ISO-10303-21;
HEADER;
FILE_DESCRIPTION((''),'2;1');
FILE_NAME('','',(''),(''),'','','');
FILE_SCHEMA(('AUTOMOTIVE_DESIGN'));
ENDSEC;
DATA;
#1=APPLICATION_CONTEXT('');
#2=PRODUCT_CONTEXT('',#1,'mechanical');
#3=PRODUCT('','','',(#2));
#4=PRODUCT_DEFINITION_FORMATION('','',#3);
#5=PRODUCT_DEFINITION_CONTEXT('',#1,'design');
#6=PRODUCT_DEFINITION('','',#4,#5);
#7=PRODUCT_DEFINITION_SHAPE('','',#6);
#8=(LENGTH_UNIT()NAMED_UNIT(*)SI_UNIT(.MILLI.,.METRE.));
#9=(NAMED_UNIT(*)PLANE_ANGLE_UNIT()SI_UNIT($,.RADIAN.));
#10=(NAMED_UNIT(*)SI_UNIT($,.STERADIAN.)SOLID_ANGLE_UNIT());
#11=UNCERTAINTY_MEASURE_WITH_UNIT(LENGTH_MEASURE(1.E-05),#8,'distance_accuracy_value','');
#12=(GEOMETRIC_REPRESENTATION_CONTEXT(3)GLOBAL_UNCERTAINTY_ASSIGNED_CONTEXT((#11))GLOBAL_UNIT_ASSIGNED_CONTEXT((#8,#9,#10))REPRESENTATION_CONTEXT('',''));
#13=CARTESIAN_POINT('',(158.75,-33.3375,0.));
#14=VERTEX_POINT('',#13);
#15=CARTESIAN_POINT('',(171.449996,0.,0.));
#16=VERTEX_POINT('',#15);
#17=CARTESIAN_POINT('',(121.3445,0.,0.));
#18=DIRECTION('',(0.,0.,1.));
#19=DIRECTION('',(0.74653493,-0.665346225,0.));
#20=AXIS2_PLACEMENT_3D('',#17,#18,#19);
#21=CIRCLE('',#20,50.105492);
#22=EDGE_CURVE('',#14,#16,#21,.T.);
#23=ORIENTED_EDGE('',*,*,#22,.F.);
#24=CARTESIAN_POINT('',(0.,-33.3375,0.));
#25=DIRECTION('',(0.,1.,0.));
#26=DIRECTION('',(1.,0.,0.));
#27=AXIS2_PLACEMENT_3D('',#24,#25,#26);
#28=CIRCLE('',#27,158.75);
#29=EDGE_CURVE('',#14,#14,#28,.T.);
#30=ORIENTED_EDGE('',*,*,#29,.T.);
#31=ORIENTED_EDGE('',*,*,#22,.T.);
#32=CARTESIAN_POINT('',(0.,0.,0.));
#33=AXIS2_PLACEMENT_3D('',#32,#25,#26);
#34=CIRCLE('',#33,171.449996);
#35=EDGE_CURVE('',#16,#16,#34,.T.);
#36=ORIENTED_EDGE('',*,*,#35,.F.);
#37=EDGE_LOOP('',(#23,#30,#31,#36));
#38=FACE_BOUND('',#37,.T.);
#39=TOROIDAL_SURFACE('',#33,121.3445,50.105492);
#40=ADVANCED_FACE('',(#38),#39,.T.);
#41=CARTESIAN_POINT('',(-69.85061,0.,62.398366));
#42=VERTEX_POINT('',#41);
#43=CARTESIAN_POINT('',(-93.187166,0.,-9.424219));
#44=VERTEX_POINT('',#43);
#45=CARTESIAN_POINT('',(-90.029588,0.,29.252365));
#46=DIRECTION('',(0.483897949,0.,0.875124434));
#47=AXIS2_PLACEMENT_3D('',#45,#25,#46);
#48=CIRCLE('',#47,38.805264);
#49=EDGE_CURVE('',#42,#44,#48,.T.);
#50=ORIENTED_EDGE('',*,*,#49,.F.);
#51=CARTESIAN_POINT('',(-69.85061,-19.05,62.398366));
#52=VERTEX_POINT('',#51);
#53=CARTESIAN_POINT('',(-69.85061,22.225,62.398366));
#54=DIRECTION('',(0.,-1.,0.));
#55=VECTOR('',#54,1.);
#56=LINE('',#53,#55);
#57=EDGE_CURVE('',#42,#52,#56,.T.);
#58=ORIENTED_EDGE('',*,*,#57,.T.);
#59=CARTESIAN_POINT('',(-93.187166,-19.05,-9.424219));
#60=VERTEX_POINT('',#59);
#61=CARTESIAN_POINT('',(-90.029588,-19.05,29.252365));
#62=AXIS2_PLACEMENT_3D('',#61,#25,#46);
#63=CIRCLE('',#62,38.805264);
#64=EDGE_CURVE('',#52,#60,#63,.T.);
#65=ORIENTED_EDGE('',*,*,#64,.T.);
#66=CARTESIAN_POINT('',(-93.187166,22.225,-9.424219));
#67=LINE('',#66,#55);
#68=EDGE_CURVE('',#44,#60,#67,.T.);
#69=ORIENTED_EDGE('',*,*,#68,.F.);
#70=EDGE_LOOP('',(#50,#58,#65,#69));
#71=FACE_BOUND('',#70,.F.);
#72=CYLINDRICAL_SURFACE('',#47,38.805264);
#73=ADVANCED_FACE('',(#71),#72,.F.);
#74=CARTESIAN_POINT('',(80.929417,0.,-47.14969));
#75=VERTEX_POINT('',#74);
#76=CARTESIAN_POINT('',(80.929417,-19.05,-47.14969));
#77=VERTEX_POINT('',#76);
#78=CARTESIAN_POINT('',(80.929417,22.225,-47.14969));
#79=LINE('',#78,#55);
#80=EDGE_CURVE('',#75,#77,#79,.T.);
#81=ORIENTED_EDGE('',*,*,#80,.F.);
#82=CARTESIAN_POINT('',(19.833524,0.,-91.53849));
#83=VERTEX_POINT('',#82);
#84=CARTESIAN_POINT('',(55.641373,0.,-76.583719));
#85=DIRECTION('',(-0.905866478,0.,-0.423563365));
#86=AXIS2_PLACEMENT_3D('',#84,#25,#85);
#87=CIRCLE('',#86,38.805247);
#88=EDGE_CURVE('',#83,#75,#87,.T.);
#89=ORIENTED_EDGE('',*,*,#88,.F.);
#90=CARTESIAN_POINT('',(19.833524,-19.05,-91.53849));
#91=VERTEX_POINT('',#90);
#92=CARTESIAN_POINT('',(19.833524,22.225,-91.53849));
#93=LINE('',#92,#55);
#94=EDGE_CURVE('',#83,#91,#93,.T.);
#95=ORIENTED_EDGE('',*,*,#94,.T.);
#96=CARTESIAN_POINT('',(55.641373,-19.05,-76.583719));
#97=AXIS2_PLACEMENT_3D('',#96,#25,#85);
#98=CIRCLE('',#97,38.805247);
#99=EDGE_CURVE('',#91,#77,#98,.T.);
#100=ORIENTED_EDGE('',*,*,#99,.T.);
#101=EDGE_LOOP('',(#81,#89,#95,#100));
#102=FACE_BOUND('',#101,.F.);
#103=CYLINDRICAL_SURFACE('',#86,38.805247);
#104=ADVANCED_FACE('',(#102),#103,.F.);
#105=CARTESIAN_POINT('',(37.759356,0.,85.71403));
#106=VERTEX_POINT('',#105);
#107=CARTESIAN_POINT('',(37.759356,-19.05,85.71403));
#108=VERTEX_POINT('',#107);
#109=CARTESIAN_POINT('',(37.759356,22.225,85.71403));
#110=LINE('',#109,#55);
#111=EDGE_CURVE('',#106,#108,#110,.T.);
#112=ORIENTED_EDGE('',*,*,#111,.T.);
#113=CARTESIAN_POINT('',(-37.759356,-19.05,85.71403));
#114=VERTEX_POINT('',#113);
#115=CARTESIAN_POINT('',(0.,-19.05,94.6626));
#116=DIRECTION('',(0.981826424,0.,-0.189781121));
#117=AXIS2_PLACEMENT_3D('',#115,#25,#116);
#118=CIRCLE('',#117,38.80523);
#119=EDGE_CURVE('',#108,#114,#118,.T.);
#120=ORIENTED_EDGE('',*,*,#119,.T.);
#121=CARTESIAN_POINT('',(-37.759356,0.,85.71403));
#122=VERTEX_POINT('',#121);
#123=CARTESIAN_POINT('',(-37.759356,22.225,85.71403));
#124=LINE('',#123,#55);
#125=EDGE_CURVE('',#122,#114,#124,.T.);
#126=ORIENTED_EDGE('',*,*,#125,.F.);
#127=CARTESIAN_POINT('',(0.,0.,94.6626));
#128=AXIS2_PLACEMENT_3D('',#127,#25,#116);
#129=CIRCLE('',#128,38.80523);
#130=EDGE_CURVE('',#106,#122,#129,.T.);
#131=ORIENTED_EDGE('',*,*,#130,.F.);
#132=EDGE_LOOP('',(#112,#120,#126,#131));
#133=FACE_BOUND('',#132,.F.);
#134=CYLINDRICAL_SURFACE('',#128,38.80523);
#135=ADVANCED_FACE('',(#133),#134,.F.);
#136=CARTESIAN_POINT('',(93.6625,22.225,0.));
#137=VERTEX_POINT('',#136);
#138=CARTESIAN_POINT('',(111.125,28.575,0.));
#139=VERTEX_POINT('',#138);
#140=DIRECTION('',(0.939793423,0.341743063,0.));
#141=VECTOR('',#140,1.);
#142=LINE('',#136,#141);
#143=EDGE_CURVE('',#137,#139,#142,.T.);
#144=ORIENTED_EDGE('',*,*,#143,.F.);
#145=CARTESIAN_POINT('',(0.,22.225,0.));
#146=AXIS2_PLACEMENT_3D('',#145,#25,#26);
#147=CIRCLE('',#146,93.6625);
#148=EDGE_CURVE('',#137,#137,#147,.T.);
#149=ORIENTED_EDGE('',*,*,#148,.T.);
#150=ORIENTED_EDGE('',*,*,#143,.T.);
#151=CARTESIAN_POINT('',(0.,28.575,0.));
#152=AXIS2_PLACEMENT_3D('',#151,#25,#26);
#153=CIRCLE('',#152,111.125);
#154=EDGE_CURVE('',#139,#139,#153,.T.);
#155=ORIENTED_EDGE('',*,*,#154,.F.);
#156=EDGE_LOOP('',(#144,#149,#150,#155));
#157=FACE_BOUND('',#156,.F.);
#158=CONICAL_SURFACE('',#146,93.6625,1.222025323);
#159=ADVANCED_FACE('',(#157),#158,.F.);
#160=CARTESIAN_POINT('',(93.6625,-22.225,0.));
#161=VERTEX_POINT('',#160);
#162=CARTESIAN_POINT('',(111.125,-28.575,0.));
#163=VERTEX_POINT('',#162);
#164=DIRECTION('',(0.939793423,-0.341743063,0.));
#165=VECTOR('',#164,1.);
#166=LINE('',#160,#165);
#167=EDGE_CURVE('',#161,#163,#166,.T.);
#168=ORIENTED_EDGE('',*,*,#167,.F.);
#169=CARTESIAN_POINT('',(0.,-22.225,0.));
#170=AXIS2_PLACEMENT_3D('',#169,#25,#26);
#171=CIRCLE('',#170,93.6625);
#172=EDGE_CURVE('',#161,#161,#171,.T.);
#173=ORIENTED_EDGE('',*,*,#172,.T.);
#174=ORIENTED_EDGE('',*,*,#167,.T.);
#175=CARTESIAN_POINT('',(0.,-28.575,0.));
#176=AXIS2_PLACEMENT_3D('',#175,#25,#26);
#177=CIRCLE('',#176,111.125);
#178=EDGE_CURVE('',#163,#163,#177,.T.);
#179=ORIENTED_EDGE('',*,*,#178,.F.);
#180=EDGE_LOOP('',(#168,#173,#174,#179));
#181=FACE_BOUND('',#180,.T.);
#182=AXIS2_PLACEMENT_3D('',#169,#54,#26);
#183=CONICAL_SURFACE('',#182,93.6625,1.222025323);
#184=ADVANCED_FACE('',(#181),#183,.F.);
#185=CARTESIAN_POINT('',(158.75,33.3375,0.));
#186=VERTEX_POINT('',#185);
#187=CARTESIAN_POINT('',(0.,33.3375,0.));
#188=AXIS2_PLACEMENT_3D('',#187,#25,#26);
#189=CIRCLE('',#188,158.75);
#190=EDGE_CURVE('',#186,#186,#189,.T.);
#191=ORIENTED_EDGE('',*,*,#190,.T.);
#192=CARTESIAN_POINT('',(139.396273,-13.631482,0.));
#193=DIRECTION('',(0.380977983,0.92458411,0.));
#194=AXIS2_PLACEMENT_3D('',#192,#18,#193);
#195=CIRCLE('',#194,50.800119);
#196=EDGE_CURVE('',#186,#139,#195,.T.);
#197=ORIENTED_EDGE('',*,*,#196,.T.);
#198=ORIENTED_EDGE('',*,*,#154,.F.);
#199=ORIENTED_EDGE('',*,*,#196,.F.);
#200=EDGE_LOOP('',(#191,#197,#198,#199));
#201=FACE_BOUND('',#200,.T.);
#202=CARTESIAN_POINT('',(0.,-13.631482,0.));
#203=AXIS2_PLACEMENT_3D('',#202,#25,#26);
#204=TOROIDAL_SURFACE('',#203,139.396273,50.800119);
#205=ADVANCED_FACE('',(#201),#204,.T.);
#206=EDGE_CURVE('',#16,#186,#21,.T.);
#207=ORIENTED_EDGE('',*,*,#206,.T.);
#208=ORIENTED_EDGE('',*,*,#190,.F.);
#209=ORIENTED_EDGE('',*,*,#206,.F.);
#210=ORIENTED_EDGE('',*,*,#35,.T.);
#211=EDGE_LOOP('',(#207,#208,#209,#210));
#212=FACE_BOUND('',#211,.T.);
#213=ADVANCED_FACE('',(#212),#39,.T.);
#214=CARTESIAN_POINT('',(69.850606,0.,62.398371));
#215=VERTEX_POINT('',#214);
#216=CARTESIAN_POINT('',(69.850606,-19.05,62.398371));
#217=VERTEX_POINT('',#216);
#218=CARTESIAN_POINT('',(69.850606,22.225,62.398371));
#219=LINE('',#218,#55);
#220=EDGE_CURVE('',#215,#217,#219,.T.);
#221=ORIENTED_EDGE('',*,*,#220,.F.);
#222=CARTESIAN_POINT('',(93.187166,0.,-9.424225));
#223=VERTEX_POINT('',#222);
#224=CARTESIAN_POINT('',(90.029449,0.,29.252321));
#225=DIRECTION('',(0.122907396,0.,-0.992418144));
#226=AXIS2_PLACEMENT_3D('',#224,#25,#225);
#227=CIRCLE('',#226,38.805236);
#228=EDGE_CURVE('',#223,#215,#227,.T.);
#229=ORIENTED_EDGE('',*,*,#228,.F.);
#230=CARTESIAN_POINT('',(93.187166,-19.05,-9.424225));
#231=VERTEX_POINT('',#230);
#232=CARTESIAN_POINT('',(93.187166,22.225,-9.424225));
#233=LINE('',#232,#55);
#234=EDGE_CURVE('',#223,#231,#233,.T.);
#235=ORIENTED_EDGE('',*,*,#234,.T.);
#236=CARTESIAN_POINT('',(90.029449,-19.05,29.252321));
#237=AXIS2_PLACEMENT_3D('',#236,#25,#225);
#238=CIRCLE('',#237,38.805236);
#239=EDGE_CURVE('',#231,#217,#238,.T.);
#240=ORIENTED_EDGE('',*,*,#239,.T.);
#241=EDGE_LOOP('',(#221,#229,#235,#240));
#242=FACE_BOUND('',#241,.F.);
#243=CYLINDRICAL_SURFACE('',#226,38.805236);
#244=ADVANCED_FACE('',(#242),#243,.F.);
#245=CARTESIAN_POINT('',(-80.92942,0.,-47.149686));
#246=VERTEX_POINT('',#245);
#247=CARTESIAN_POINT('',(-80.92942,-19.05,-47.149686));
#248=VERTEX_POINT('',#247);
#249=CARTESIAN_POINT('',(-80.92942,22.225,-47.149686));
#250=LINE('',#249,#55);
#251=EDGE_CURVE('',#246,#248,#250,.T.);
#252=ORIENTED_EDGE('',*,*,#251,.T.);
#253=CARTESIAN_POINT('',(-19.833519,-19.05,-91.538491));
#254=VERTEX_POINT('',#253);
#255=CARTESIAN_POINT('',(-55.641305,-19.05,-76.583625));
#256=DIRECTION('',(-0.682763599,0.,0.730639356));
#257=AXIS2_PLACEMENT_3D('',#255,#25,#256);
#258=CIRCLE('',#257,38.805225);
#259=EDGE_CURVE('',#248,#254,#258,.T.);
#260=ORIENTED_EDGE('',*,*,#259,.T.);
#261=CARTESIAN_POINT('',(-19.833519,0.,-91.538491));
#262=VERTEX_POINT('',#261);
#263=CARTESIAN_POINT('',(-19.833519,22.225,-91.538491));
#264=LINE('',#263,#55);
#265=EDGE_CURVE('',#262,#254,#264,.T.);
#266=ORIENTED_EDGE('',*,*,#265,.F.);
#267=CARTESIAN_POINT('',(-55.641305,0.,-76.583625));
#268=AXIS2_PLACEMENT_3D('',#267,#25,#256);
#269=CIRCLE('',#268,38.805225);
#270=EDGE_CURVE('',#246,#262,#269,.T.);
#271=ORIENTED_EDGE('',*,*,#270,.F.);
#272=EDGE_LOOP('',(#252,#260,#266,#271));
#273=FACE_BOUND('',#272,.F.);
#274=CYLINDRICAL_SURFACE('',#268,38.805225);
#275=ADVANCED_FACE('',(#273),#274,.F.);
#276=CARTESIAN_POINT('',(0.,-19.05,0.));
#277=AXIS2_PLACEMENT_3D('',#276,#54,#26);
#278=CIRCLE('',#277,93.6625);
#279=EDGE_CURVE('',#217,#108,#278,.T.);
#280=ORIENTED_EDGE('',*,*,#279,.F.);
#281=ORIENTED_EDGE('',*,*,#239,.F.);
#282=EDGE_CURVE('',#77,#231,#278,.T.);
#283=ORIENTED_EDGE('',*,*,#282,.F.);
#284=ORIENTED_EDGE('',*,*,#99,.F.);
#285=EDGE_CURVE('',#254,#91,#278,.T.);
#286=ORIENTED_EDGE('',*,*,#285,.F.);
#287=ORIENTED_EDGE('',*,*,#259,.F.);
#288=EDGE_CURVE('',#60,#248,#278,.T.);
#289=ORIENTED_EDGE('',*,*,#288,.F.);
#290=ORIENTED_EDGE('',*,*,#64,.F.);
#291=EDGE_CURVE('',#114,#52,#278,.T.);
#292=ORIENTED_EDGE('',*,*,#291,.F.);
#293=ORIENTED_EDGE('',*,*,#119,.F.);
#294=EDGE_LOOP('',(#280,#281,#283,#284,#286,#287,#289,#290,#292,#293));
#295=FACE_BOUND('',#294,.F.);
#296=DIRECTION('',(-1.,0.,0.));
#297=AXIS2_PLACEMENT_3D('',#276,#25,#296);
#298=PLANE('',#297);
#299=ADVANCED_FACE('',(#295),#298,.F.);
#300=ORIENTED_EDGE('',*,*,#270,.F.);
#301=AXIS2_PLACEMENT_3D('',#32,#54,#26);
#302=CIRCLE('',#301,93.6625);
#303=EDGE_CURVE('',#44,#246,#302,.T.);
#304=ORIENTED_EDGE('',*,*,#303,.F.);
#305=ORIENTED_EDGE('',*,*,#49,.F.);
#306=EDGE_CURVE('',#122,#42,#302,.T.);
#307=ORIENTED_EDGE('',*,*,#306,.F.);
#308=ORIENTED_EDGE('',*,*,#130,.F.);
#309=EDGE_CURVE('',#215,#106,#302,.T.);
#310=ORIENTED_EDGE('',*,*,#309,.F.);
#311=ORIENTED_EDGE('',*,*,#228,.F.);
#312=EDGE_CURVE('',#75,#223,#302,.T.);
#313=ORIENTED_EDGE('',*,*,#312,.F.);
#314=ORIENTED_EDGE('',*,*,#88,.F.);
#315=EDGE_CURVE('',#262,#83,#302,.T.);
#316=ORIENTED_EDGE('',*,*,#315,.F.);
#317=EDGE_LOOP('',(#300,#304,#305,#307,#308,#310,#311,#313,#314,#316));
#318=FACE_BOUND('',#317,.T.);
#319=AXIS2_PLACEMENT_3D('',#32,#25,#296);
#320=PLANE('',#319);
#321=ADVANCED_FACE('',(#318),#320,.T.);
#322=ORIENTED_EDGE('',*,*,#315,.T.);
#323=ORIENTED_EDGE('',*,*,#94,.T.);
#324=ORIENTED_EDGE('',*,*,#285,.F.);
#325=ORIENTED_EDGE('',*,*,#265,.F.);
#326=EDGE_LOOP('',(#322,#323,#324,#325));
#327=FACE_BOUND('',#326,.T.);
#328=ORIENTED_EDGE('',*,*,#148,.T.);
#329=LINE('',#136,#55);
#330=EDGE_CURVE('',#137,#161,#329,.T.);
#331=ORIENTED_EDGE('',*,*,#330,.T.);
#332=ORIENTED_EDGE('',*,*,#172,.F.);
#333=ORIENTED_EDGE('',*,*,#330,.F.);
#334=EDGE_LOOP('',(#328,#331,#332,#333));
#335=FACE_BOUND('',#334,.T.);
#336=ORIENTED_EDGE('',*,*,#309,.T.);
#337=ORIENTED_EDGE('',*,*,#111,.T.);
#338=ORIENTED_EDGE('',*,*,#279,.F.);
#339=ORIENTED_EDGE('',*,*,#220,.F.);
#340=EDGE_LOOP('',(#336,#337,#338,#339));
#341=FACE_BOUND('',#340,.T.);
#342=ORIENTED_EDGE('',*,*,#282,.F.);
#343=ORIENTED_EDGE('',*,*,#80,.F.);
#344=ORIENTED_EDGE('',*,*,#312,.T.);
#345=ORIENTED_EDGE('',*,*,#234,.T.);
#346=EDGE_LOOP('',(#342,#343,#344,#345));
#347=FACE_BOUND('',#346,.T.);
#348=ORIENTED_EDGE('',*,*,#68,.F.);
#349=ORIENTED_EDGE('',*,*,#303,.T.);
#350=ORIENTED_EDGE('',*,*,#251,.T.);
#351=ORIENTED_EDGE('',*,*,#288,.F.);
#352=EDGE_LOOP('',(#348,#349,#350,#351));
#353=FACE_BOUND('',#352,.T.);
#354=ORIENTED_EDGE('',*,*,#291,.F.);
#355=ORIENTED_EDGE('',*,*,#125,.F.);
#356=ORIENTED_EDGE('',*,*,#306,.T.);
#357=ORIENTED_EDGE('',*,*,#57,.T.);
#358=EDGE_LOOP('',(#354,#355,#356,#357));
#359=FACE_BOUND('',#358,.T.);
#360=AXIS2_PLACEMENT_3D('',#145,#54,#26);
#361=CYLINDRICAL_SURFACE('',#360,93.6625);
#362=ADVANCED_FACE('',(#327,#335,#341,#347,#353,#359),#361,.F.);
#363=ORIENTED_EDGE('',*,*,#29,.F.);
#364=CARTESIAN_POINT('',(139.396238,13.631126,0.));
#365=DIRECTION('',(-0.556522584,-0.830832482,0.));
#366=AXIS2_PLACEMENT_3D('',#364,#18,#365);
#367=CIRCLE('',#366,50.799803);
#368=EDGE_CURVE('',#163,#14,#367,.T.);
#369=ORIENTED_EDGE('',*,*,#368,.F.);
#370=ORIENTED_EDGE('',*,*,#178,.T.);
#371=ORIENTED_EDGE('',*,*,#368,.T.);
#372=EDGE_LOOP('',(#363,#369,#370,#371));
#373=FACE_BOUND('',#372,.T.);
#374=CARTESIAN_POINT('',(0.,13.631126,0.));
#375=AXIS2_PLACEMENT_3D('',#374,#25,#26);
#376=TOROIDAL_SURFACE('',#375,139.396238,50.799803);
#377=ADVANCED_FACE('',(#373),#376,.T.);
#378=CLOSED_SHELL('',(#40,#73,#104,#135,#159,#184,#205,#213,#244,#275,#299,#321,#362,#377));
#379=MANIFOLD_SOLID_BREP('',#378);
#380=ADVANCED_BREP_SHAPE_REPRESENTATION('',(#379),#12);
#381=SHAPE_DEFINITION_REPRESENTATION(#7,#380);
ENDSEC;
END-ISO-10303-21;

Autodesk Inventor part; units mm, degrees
ref_plane "YZ Plane" through (0, 0, 0) normal (1, 0, 0) x (0, 1, 0)
ref_plane "XZ Plane" through (0, 0, 0) normal (0, 1, 0) x (-1, 0, 0)
ref_plane "XY Plane" through (0, 0, 0) normal (0, 0, 1) x (1, 0, 0)
sketch "Sketch1" plane through (0, 0, 0) normal (0, 0, 1) x (1, 0, 0)
  line L0 (0, 0) -> (0, 24.1958)
  arc A0 (158.75, -33.3375) -> (158.75, 33.3375) centre (121.3445, 0) ccw
  line L1 (171.45, -6.5142) -> (171.45, 28.0751)
  line L2 (93.6625, 22.225) -> (93.6625, -22.225)
  line L3 (93.6625, -22.225) -> (111.125, -28.575)
  line L4 (93.6625, 22.225) -> (111.125, 28.575)
  arc A1 (158.75, 33.3375) -> (111.125, 28.575) centre (139.3963, -13.6313) ccw
  arc A2 (111.125, -28.575) -> (158.75, -33.3375) centre (139.3963, 13.6313) ccw
  point P0 (93.6625, 0)
  dimension "d0" = 171.45
  dimension "d1" = 66.675
  dimension "d2" = 12.7
  dimension "d3" = 93.6625
  dimension "d4" = 111.125
  dimension "d5" = 44.45
  dimension "d6" = 57.15
  dimension "d7" = 50.8
revolve "Revolution1" add sketch "Sketch1" angle 360 about axis through (0, 0, 0) along (0, 1, 0)
sketch "Sketch2" plane through (0, 0, 0) normal (0, 1, 0) x (-1, 0, 0)
  arc A0 (-38.1, 87.2981) -> (38.1, 87.2981) centre (0, 94.6626) ccw
  arc A1 (-94.7989, -9.2587) -> (-71.2518, 63.2118) centre (-90.0295, 29.2524) ccw
  arc A2 (-20.489, -93.0202) -> (-82.1361, -48.231) centre (-55.6413, -76.5837) ccw
  arc A3 (82.1361, -48.231) -> (20.489, -93.0202) centre (55.6413, -76.5837) ccw
  arc A4 (71.2518, 63.2118) -> (94.7989, -9.2587) centre (90.0295, 29.2524) ccw
  arc A5 (82.1361, -48.231) -> (94.7989, -9.2587) centre (0, 0) ccw
  arc A6 (-20.489, -93.0202) -> (20.489, -93.0202) centre (0, 0) ccw
  arc A7 (71.2518, 63.2118) -> (-71.2518, 63.2118) centre (0, 0) ccw
  arc A8 (-94.7989, -9.2587) -> (-82.1361, -48.231) centre (0, 0) ccw
  dimension "d10" = 76.2
  dimension "d13" = 360
extrude "Extrusion1" add sketch "Sketch2" against normal blind 19.05 contours A0 A7 A4 A5 A3 A6 A2 A8 A1
properties part number "wheel"
